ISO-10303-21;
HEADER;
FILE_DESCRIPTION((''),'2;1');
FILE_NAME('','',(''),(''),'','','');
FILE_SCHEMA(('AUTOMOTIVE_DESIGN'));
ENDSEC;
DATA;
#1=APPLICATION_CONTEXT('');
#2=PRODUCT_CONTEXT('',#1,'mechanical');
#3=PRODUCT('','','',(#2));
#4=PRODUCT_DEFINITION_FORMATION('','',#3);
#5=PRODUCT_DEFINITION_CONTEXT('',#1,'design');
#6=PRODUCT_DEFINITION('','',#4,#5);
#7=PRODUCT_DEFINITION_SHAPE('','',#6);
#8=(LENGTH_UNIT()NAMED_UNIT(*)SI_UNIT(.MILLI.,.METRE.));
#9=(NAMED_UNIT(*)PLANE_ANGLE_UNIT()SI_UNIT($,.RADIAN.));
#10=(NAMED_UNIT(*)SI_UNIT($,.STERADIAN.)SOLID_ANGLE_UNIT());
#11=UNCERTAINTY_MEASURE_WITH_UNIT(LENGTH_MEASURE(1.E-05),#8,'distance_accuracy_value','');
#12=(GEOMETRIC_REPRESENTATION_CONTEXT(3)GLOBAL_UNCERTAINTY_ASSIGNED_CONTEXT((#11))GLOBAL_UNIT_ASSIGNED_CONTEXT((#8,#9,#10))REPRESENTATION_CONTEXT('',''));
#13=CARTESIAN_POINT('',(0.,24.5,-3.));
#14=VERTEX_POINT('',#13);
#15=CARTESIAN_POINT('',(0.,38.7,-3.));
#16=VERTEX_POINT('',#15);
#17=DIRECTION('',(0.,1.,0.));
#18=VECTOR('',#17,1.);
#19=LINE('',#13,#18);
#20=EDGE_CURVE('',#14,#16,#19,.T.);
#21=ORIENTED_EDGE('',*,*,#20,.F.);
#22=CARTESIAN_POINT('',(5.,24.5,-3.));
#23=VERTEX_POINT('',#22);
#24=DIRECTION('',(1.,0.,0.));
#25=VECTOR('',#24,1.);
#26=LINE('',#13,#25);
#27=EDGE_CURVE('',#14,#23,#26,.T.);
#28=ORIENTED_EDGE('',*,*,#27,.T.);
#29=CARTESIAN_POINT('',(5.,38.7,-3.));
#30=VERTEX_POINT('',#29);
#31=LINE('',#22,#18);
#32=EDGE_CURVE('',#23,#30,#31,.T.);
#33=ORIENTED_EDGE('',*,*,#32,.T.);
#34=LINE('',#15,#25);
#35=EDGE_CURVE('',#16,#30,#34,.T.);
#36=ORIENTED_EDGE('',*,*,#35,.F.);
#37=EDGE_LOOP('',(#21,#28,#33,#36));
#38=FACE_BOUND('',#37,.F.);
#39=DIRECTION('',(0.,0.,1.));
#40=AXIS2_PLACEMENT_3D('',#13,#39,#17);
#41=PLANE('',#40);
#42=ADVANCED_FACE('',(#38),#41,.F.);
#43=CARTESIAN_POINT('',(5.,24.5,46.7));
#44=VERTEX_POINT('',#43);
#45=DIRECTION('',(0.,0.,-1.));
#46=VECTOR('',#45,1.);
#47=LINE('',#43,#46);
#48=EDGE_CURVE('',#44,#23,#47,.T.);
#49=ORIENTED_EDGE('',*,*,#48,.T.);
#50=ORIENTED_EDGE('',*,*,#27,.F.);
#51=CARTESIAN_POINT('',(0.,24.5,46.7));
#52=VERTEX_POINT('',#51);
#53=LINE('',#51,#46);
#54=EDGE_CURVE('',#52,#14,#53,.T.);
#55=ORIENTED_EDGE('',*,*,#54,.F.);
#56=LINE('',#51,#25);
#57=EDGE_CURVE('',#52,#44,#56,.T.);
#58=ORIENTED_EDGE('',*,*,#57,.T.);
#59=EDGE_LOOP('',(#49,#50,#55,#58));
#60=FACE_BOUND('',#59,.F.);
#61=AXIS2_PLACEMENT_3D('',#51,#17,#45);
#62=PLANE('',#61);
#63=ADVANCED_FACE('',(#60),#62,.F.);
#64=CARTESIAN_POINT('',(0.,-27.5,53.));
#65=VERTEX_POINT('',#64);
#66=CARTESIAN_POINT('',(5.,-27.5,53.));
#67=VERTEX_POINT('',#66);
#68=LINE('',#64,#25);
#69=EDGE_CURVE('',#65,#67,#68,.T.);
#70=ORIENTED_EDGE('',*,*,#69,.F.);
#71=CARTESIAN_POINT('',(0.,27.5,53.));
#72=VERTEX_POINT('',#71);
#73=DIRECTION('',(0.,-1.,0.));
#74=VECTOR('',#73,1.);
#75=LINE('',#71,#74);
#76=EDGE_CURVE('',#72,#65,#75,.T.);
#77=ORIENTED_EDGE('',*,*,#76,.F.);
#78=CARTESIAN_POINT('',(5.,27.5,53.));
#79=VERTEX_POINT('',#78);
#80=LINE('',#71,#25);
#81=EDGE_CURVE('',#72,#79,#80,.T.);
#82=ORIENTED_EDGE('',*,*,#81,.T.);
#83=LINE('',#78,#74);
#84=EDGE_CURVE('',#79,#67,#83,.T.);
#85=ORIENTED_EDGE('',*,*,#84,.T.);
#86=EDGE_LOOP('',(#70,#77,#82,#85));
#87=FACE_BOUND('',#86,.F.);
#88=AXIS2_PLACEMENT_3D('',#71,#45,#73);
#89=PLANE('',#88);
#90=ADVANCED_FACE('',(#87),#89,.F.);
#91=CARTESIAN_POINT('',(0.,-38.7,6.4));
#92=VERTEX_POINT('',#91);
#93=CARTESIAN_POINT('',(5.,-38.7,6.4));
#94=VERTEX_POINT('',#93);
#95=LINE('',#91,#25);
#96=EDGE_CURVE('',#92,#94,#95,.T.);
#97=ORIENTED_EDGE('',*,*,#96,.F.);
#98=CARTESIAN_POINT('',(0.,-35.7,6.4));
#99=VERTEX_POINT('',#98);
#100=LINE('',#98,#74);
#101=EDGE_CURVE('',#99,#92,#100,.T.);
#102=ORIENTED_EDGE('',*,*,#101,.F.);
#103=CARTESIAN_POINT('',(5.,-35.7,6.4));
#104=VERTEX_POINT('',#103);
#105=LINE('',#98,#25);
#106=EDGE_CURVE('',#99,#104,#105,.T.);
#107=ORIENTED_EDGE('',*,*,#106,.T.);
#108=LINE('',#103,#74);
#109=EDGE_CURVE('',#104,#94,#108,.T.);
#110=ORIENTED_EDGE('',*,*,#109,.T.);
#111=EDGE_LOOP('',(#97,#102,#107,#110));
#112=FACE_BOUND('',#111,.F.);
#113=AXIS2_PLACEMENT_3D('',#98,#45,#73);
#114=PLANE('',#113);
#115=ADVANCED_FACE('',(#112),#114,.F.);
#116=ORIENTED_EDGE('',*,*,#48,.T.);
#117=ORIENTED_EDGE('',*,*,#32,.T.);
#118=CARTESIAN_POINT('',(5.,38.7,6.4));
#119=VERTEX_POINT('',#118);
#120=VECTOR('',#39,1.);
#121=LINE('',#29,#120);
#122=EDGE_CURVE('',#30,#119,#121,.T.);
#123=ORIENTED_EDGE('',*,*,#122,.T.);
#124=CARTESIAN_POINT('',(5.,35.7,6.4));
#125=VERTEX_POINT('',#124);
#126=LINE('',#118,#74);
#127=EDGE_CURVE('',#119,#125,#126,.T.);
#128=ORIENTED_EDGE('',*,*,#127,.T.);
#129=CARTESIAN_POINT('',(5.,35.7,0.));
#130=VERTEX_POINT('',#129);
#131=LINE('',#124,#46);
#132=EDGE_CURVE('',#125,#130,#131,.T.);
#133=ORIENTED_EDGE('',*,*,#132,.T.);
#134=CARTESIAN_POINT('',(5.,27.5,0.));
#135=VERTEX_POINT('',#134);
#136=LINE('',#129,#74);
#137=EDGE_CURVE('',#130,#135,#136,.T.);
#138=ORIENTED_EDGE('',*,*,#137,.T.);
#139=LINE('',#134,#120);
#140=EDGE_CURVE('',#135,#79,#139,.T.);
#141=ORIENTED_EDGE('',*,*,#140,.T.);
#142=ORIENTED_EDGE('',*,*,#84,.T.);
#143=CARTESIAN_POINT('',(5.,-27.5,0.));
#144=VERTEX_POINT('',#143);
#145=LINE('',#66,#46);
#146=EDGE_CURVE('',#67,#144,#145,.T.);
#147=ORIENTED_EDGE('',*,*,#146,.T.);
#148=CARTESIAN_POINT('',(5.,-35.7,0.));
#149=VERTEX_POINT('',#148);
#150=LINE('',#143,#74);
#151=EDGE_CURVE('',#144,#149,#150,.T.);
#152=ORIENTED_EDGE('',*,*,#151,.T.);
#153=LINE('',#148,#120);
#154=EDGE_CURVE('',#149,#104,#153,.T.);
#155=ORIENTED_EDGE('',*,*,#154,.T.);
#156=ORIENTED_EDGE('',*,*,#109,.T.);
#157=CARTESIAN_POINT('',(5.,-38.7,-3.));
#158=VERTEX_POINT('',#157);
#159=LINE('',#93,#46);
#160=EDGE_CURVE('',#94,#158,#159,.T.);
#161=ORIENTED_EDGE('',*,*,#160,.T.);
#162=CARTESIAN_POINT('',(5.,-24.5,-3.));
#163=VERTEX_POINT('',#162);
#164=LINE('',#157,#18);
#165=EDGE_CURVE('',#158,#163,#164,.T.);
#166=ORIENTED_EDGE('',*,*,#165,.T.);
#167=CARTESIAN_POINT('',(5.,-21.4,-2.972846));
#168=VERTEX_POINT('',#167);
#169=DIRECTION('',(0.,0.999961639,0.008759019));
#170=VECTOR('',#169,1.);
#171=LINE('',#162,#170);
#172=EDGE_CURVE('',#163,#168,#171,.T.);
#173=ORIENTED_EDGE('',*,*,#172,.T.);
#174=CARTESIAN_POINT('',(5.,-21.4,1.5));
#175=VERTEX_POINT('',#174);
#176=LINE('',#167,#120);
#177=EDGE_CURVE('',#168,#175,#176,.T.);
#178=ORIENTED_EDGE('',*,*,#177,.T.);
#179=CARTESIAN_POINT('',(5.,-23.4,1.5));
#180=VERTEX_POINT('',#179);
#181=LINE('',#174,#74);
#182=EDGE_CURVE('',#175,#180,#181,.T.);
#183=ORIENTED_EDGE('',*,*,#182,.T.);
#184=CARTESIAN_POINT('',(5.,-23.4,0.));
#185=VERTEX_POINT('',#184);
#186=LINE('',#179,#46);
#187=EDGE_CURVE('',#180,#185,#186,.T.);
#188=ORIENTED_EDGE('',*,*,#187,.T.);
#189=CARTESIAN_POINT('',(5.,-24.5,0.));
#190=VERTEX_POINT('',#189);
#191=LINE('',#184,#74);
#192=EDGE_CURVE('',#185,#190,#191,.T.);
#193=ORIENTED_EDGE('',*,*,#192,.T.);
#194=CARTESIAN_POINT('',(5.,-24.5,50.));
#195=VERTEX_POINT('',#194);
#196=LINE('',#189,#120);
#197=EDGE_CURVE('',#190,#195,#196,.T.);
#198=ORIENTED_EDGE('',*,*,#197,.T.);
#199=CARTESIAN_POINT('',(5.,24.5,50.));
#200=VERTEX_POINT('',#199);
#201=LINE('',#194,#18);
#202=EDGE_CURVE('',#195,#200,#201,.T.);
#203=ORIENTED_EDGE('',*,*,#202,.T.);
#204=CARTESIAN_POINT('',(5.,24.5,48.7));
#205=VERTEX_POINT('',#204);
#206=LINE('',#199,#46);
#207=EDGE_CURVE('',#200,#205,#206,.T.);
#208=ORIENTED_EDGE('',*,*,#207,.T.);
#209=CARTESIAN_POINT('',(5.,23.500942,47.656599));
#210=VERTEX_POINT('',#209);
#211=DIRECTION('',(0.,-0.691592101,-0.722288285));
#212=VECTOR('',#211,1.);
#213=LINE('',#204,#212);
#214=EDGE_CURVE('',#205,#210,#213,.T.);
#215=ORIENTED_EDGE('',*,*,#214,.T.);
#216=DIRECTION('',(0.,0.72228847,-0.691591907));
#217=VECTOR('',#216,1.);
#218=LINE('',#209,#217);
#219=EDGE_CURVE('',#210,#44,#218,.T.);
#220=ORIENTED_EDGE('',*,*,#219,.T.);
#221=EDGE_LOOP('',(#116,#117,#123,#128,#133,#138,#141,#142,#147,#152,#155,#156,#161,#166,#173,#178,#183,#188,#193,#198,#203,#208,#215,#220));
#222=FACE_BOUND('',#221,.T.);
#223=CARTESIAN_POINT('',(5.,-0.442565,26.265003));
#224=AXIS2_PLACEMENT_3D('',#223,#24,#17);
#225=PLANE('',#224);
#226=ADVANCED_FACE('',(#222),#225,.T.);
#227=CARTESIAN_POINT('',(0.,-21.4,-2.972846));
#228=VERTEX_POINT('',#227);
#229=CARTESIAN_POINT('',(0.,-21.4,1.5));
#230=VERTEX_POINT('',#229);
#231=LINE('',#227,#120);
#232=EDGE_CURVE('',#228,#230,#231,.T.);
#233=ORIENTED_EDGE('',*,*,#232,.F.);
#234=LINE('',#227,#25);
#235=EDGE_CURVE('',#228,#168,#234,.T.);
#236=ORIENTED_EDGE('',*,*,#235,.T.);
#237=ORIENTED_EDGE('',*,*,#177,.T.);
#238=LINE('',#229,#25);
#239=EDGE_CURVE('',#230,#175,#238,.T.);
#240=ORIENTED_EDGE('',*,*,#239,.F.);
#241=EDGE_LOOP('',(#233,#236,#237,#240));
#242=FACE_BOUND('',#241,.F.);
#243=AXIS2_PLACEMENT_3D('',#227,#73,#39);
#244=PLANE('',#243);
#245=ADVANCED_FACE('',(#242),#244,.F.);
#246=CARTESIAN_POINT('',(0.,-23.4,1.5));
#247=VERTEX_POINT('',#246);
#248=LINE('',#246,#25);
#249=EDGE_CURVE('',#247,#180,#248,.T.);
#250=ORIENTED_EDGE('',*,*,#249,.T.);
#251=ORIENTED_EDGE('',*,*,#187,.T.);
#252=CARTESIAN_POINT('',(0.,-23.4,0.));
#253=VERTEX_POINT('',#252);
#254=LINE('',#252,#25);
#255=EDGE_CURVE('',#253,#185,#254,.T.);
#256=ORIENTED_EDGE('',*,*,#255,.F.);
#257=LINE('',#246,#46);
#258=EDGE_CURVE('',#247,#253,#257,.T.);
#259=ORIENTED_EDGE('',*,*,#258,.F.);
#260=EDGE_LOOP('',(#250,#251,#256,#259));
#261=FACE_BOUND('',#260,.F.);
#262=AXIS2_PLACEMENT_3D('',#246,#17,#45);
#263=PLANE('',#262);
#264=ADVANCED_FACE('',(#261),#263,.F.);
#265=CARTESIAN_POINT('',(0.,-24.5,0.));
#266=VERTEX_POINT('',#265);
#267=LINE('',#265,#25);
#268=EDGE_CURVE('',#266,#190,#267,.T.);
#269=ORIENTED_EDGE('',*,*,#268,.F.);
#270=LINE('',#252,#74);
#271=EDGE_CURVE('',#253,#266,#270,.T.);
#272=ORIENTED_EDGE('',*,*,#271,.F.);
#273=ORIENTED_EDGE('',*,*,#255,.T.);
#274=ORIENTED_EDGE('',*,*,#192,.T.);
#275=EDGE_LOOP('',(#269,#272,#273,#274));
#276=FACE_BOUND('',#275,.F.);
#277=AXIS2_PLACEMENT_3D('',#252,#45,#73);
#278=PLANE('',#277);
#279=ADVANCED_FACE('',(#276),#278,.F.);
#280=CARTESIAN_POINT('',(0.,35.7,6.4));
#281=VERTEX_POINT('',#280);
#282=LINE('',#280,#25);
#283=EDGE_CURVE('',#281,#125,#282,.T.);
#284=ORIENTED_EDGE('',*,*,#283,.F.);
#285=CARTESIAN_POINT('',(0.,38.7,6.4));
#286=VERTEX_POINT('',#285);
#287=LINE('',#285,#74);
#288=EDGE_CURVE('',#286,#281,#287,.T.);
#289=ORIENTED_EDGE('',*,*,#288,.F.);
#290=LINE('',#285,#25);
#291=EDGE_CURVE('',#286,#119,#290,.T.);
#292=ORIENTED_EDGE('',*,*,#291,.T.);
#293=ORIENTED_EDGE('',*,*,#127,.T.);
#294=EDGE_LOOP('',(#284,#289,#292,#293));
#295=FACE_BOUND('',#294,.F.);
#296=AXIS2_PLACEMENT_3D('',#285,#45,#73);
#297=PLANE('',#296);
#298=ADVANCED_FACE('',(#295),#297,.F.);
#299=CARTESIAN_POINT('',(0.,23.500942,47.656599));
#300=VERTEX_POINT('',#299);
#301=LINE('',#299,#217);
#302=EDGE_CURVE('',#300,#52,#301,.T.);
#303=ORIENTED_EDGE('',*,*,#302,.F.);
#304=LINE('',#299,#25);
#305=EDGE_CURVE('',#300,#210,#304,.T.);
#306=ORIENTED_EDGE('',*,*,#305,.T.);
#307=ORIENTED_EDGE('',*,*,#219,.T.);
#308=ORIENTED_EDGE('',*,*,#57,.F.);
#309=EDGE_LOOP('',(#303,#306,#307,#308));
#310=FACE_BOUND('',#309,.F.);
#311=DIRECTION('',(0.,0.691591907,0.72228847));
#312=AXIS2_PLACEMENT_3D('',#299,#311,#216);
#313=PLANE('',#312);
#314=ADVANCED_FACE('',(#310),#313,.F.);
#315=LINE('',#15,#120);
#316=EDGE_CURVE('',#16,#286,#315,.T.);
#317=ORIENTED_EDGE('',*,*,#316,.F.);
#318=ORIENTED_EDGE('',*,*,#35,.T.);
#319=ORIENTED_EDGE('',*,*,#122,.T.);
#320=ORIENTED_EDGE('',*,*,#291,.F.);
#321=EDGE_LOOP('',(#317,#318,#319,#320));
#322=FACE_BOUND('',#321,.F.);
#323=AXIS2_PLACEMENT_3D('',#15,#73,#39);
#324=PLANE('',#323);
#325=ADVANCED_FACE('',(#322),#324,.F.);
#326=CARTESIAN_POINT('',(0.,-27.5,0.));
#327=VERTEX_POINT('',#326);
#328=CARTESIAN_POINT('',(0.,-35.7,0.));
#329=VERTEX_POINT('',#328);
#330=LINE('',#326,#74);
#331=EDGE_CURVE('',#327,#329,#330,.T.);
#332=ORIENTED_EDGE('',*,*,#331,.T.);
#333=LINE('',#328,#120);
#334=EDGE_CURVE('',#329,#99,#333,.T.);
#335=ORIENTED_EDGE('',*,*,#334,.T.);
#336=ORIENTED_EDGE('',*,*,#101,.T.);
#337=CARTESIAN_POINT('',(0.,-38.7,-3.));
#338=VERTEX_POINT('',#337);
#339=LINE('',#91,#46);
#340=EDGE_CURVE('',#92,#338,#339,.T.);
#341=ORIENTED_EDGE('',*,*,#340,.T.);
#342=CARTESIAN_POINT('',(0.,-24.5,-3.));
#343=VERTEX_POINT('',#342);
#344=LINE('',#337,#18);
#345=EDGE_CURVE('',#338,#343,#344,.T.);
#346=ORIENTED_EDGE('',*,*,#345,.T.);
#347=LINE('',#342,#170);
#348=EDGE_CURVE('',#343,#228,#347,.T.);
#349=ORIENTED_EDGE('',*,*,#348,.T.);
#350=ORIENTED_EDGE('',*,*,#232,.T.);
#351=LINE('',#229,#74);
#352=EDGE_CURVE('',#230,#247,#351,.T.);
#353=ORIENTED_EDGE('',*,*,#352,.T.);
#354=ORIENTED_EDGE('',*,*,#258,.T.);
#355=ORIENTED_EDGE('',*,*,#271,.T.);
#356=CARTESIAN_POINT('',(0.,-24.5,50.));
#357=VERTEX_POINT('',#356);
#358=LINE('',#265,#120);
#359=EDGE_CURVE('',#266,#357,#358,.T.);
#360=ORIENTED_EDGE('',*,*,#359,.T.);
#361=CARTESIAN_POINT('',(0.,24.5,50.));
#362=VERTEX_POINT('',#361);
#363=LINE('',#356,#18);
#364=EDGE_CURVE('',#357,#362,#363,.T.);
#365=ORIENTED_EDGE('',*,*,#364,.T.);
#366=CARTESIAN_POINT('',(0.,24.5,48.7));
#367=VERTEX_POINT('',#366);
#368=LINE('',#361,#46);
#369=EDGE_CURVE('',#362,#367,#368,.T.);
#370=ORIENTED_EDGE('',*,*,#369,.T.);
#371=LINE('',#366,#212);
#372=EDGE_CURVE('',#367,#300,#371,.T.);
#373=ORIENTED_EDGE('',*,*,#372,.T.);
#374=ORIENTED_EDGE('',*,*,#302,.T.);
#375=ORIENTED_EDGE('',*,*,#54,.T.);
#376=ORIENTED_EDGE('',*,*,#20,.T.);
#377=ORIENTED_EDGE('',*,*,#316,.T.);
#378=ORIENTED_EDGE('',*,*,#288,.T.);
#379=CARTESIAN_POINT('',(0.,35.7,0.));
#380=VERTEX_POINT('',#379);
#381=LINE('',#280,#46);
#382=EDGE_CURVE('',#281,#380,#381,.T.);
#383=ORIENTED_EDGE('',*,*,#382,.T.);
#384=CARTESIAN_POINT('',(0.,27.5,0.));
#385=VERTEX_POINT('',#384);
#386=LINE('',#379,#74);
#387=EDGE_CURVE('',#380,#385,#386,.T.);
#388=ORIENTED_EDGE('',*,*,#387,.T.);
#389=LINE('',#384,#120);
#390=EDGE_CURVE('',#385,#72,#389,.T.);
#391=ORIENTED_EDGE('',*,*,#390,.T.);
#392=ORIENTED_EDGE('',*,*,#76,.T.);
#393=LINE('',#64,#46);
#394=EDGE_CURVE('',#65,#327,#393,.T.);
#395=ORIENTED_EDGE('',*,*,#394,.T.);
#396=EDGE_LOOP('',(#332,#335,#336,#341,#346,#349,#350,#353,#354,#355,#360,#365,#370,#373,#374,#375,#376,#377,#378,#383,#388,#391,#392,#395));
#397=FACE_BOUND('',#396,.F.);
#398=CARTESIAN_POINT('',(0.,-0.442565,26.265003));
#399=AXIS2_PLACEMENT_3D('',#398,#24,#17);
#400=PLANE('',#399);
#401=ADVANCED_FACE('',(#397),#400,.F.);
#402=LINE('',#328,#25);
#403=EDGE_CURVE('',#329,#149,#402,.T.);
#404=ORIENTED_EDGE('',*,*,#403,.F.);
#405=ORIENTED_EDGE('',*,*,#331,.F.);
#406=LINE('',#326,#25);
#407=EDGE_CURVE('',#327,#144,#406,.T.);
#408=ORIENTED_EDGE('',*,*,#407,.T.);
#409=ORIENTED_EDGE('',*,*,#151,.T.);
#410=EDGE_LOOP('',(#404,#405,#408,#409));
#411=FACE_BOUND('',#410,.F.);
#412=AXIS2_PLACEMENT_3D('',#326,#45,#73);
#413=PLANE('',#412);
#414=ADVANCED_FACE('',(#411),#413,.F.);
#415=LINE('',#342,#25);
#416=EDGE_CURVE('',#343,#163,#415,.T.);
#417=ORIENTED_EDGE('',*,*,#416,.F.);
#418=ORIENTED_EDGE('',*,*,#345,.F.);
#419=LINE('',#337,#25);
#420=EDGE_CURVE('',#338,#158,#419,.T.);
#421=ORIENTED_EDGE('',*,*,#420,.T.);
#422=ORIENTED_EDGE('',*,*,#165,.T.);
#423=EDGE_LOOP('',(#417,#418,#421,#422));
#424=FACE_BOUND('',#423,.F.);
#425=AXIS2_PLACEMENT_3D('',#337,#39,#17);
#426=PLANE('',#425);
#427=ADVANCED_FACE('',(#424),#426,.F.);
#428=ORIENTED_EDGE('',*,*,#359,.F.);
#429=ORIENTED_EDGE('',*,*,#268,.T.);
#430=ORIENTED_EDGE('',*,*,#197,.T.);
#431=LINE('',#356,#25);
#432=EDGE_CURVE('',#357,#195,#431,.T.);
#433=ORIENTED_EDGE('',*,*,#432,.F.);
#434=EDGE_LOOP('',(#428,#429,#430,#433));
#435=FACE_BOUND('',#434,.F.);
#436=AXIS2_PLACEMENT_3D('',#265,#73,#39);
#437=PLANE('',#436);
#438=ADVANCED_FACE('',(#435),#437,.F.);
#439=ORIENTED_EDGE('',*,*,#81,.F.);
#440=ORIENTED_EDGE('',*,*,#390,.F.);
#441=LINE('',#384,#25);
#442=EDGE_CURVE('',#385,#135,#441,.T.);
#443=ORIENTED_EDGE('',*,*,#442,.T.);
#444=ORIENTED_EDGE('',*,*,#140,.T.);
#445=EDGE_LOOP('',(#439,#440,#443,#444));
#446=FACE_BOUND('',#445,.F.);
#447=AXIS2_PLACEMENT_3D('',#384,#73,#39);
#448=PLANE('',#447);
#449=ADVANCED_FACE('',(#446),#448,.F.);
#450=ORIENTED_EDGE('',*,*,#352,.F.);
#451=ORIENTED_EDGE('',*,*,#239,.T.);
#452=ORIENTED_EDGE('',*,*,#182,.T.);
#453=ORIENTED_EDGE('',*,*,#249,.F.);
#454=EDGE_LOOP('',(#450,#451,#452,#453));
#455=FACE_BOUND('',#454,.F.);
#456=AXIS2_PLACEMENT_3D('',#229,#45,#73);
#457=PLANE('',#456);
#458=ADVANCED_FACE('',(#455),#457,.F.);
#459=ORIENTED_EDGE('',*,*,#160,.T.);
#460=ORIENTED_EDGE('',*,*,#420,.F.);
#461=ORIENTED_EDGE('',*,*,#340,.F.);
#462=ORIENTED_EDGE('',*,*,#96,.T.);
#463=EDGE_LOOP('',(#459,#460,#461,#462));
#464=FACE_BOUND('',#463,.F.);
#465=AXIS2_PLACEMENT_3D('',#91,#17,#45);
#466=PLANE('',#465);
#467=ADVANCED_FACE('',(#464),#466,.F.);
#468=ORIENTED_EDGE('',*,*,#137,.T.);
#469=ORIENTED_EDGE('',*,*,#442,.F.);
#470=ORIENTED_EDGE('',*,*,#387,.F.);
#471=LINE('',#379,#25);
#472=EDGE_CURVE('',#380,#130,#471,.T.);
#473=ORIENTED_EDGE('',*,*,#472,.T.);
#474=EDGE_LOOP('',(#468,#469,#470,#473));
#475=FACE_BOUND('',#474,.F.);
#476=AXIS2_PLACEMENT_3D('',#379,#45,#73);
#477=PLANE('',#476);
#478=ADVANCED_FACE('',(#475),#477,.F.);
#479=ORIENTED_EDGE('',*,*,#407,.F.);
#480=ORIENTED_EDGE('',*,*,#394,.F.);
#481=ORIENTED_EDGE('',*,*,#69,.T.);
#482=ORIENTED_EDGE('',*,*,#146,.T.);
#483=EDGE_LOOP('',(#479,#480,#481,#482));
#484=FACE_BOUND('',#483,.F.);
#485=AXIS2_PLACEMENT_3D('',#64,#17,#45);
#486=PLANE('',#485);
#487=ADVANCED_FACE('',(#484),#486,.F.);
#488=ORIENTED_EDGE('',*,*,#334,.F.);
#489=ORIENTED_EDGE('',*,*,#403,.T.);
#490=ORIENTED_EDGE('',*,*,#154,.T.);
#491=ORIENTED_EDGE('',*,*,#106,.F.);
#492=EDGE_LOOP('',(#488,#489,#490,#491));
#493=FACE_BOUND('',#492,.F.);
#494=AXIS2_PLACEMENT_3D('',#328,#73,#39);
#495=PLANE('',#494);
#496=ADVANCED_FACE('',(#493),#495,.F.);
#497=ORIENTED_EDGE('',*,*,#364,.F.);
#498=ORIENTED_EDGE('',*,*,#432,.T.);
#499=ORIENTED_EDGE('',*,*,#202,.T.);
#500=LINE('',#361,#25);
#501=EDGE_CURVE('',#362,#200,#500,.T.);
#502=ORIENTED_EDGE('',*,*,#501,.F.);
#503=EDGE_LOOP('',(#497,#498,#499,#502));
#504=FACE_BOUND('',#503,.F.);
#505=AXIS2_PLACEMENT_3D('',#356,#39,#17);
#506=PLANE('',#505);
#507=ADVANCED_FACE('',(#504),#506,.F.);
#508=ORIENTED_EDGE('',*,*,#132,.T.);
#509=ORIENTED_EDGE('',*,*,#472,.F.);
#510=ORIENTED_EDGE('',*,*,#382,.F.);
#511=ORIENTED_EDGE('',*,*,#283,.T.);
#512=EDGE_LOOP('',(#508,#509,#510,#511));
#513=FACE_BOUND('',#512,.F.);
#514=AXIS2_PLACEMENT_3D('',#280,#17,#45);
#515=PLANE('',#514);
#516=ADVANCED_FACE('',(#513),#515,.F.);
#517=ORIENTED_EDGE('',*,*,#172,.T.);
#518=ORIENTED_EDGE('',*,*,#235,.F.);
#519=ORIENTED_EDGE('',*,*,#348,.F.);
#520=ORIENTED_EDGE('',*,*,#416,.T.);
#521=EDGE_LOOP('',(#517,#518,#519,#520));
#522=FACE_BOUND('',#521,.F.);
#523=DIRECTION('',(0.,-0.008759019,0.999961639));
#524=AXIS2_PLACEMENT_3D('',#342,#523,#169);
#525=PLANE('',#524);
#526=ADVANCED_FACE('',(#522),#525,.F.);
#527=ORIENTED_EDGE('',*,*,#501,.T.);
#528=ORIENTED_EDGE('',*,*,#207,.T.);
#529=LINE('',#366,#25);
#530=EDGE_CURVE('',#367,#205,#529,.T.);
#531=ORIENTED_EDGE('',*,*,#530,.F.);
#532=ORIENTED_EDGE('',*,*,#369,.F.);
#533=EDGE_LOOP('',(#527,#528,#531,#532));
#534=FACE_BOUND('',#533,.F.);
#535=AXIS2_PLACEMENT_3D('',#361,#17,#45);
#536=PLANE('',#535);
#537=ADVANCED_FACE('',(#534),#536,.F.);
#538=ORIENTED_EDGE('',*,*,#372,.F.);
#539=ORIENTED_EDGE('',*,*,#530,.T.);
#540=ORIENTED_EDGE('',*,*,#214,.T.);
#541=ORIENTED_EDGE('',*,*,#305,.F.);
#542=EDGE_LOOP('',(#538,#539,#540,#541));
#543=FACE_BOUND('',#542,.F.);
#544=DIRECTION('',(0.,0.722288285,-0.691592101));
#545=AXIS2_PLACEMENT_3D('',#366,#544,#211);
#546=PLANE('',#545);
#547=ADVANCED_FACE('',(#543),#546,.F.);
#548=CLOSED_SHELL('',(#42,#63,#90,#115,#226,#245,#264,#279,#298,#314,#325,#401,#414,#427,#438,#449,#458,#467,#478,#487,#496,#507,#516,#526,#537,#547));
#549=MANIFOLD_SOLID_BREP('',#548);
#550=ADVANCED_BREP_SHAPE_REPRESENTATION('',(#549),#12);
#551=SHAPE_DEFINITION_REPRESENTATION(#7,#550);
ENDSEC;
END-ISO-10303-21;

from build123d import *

# Parameters (mm, degrees)
F1_DEPTH = 5


with BuildPart() as f1:
    # F0 (on Right) → F1 (new body)
    with BuildSketch(Plane.YZ):
        Polygon((-24.5, 50), (0, 50), (24.5, 50), (24.5, 48.7), (23.500942, 47.656599), (24.5, 46.7), (24.5, 0), (24.5, -3), (38.7, -3), (38.7, 6.4), (35.7, 6.4), (35.7, 0), (27.5, 0), (27.5, 53), (0, 53), (-27.5, 53), (-27.5, 0), (-35.7, 0), (-35.7, 6.4), (-38.7, 6.4), (-38.7, -3), (-24.5, -3), (-21.4, -2.972846), (-21.4, 1.5), (-23.4, 1.5), (-23.4, 0), (-24.5, 0), align=None)
    extrude(amount=F1_DEPTH)


solid = f1.part
